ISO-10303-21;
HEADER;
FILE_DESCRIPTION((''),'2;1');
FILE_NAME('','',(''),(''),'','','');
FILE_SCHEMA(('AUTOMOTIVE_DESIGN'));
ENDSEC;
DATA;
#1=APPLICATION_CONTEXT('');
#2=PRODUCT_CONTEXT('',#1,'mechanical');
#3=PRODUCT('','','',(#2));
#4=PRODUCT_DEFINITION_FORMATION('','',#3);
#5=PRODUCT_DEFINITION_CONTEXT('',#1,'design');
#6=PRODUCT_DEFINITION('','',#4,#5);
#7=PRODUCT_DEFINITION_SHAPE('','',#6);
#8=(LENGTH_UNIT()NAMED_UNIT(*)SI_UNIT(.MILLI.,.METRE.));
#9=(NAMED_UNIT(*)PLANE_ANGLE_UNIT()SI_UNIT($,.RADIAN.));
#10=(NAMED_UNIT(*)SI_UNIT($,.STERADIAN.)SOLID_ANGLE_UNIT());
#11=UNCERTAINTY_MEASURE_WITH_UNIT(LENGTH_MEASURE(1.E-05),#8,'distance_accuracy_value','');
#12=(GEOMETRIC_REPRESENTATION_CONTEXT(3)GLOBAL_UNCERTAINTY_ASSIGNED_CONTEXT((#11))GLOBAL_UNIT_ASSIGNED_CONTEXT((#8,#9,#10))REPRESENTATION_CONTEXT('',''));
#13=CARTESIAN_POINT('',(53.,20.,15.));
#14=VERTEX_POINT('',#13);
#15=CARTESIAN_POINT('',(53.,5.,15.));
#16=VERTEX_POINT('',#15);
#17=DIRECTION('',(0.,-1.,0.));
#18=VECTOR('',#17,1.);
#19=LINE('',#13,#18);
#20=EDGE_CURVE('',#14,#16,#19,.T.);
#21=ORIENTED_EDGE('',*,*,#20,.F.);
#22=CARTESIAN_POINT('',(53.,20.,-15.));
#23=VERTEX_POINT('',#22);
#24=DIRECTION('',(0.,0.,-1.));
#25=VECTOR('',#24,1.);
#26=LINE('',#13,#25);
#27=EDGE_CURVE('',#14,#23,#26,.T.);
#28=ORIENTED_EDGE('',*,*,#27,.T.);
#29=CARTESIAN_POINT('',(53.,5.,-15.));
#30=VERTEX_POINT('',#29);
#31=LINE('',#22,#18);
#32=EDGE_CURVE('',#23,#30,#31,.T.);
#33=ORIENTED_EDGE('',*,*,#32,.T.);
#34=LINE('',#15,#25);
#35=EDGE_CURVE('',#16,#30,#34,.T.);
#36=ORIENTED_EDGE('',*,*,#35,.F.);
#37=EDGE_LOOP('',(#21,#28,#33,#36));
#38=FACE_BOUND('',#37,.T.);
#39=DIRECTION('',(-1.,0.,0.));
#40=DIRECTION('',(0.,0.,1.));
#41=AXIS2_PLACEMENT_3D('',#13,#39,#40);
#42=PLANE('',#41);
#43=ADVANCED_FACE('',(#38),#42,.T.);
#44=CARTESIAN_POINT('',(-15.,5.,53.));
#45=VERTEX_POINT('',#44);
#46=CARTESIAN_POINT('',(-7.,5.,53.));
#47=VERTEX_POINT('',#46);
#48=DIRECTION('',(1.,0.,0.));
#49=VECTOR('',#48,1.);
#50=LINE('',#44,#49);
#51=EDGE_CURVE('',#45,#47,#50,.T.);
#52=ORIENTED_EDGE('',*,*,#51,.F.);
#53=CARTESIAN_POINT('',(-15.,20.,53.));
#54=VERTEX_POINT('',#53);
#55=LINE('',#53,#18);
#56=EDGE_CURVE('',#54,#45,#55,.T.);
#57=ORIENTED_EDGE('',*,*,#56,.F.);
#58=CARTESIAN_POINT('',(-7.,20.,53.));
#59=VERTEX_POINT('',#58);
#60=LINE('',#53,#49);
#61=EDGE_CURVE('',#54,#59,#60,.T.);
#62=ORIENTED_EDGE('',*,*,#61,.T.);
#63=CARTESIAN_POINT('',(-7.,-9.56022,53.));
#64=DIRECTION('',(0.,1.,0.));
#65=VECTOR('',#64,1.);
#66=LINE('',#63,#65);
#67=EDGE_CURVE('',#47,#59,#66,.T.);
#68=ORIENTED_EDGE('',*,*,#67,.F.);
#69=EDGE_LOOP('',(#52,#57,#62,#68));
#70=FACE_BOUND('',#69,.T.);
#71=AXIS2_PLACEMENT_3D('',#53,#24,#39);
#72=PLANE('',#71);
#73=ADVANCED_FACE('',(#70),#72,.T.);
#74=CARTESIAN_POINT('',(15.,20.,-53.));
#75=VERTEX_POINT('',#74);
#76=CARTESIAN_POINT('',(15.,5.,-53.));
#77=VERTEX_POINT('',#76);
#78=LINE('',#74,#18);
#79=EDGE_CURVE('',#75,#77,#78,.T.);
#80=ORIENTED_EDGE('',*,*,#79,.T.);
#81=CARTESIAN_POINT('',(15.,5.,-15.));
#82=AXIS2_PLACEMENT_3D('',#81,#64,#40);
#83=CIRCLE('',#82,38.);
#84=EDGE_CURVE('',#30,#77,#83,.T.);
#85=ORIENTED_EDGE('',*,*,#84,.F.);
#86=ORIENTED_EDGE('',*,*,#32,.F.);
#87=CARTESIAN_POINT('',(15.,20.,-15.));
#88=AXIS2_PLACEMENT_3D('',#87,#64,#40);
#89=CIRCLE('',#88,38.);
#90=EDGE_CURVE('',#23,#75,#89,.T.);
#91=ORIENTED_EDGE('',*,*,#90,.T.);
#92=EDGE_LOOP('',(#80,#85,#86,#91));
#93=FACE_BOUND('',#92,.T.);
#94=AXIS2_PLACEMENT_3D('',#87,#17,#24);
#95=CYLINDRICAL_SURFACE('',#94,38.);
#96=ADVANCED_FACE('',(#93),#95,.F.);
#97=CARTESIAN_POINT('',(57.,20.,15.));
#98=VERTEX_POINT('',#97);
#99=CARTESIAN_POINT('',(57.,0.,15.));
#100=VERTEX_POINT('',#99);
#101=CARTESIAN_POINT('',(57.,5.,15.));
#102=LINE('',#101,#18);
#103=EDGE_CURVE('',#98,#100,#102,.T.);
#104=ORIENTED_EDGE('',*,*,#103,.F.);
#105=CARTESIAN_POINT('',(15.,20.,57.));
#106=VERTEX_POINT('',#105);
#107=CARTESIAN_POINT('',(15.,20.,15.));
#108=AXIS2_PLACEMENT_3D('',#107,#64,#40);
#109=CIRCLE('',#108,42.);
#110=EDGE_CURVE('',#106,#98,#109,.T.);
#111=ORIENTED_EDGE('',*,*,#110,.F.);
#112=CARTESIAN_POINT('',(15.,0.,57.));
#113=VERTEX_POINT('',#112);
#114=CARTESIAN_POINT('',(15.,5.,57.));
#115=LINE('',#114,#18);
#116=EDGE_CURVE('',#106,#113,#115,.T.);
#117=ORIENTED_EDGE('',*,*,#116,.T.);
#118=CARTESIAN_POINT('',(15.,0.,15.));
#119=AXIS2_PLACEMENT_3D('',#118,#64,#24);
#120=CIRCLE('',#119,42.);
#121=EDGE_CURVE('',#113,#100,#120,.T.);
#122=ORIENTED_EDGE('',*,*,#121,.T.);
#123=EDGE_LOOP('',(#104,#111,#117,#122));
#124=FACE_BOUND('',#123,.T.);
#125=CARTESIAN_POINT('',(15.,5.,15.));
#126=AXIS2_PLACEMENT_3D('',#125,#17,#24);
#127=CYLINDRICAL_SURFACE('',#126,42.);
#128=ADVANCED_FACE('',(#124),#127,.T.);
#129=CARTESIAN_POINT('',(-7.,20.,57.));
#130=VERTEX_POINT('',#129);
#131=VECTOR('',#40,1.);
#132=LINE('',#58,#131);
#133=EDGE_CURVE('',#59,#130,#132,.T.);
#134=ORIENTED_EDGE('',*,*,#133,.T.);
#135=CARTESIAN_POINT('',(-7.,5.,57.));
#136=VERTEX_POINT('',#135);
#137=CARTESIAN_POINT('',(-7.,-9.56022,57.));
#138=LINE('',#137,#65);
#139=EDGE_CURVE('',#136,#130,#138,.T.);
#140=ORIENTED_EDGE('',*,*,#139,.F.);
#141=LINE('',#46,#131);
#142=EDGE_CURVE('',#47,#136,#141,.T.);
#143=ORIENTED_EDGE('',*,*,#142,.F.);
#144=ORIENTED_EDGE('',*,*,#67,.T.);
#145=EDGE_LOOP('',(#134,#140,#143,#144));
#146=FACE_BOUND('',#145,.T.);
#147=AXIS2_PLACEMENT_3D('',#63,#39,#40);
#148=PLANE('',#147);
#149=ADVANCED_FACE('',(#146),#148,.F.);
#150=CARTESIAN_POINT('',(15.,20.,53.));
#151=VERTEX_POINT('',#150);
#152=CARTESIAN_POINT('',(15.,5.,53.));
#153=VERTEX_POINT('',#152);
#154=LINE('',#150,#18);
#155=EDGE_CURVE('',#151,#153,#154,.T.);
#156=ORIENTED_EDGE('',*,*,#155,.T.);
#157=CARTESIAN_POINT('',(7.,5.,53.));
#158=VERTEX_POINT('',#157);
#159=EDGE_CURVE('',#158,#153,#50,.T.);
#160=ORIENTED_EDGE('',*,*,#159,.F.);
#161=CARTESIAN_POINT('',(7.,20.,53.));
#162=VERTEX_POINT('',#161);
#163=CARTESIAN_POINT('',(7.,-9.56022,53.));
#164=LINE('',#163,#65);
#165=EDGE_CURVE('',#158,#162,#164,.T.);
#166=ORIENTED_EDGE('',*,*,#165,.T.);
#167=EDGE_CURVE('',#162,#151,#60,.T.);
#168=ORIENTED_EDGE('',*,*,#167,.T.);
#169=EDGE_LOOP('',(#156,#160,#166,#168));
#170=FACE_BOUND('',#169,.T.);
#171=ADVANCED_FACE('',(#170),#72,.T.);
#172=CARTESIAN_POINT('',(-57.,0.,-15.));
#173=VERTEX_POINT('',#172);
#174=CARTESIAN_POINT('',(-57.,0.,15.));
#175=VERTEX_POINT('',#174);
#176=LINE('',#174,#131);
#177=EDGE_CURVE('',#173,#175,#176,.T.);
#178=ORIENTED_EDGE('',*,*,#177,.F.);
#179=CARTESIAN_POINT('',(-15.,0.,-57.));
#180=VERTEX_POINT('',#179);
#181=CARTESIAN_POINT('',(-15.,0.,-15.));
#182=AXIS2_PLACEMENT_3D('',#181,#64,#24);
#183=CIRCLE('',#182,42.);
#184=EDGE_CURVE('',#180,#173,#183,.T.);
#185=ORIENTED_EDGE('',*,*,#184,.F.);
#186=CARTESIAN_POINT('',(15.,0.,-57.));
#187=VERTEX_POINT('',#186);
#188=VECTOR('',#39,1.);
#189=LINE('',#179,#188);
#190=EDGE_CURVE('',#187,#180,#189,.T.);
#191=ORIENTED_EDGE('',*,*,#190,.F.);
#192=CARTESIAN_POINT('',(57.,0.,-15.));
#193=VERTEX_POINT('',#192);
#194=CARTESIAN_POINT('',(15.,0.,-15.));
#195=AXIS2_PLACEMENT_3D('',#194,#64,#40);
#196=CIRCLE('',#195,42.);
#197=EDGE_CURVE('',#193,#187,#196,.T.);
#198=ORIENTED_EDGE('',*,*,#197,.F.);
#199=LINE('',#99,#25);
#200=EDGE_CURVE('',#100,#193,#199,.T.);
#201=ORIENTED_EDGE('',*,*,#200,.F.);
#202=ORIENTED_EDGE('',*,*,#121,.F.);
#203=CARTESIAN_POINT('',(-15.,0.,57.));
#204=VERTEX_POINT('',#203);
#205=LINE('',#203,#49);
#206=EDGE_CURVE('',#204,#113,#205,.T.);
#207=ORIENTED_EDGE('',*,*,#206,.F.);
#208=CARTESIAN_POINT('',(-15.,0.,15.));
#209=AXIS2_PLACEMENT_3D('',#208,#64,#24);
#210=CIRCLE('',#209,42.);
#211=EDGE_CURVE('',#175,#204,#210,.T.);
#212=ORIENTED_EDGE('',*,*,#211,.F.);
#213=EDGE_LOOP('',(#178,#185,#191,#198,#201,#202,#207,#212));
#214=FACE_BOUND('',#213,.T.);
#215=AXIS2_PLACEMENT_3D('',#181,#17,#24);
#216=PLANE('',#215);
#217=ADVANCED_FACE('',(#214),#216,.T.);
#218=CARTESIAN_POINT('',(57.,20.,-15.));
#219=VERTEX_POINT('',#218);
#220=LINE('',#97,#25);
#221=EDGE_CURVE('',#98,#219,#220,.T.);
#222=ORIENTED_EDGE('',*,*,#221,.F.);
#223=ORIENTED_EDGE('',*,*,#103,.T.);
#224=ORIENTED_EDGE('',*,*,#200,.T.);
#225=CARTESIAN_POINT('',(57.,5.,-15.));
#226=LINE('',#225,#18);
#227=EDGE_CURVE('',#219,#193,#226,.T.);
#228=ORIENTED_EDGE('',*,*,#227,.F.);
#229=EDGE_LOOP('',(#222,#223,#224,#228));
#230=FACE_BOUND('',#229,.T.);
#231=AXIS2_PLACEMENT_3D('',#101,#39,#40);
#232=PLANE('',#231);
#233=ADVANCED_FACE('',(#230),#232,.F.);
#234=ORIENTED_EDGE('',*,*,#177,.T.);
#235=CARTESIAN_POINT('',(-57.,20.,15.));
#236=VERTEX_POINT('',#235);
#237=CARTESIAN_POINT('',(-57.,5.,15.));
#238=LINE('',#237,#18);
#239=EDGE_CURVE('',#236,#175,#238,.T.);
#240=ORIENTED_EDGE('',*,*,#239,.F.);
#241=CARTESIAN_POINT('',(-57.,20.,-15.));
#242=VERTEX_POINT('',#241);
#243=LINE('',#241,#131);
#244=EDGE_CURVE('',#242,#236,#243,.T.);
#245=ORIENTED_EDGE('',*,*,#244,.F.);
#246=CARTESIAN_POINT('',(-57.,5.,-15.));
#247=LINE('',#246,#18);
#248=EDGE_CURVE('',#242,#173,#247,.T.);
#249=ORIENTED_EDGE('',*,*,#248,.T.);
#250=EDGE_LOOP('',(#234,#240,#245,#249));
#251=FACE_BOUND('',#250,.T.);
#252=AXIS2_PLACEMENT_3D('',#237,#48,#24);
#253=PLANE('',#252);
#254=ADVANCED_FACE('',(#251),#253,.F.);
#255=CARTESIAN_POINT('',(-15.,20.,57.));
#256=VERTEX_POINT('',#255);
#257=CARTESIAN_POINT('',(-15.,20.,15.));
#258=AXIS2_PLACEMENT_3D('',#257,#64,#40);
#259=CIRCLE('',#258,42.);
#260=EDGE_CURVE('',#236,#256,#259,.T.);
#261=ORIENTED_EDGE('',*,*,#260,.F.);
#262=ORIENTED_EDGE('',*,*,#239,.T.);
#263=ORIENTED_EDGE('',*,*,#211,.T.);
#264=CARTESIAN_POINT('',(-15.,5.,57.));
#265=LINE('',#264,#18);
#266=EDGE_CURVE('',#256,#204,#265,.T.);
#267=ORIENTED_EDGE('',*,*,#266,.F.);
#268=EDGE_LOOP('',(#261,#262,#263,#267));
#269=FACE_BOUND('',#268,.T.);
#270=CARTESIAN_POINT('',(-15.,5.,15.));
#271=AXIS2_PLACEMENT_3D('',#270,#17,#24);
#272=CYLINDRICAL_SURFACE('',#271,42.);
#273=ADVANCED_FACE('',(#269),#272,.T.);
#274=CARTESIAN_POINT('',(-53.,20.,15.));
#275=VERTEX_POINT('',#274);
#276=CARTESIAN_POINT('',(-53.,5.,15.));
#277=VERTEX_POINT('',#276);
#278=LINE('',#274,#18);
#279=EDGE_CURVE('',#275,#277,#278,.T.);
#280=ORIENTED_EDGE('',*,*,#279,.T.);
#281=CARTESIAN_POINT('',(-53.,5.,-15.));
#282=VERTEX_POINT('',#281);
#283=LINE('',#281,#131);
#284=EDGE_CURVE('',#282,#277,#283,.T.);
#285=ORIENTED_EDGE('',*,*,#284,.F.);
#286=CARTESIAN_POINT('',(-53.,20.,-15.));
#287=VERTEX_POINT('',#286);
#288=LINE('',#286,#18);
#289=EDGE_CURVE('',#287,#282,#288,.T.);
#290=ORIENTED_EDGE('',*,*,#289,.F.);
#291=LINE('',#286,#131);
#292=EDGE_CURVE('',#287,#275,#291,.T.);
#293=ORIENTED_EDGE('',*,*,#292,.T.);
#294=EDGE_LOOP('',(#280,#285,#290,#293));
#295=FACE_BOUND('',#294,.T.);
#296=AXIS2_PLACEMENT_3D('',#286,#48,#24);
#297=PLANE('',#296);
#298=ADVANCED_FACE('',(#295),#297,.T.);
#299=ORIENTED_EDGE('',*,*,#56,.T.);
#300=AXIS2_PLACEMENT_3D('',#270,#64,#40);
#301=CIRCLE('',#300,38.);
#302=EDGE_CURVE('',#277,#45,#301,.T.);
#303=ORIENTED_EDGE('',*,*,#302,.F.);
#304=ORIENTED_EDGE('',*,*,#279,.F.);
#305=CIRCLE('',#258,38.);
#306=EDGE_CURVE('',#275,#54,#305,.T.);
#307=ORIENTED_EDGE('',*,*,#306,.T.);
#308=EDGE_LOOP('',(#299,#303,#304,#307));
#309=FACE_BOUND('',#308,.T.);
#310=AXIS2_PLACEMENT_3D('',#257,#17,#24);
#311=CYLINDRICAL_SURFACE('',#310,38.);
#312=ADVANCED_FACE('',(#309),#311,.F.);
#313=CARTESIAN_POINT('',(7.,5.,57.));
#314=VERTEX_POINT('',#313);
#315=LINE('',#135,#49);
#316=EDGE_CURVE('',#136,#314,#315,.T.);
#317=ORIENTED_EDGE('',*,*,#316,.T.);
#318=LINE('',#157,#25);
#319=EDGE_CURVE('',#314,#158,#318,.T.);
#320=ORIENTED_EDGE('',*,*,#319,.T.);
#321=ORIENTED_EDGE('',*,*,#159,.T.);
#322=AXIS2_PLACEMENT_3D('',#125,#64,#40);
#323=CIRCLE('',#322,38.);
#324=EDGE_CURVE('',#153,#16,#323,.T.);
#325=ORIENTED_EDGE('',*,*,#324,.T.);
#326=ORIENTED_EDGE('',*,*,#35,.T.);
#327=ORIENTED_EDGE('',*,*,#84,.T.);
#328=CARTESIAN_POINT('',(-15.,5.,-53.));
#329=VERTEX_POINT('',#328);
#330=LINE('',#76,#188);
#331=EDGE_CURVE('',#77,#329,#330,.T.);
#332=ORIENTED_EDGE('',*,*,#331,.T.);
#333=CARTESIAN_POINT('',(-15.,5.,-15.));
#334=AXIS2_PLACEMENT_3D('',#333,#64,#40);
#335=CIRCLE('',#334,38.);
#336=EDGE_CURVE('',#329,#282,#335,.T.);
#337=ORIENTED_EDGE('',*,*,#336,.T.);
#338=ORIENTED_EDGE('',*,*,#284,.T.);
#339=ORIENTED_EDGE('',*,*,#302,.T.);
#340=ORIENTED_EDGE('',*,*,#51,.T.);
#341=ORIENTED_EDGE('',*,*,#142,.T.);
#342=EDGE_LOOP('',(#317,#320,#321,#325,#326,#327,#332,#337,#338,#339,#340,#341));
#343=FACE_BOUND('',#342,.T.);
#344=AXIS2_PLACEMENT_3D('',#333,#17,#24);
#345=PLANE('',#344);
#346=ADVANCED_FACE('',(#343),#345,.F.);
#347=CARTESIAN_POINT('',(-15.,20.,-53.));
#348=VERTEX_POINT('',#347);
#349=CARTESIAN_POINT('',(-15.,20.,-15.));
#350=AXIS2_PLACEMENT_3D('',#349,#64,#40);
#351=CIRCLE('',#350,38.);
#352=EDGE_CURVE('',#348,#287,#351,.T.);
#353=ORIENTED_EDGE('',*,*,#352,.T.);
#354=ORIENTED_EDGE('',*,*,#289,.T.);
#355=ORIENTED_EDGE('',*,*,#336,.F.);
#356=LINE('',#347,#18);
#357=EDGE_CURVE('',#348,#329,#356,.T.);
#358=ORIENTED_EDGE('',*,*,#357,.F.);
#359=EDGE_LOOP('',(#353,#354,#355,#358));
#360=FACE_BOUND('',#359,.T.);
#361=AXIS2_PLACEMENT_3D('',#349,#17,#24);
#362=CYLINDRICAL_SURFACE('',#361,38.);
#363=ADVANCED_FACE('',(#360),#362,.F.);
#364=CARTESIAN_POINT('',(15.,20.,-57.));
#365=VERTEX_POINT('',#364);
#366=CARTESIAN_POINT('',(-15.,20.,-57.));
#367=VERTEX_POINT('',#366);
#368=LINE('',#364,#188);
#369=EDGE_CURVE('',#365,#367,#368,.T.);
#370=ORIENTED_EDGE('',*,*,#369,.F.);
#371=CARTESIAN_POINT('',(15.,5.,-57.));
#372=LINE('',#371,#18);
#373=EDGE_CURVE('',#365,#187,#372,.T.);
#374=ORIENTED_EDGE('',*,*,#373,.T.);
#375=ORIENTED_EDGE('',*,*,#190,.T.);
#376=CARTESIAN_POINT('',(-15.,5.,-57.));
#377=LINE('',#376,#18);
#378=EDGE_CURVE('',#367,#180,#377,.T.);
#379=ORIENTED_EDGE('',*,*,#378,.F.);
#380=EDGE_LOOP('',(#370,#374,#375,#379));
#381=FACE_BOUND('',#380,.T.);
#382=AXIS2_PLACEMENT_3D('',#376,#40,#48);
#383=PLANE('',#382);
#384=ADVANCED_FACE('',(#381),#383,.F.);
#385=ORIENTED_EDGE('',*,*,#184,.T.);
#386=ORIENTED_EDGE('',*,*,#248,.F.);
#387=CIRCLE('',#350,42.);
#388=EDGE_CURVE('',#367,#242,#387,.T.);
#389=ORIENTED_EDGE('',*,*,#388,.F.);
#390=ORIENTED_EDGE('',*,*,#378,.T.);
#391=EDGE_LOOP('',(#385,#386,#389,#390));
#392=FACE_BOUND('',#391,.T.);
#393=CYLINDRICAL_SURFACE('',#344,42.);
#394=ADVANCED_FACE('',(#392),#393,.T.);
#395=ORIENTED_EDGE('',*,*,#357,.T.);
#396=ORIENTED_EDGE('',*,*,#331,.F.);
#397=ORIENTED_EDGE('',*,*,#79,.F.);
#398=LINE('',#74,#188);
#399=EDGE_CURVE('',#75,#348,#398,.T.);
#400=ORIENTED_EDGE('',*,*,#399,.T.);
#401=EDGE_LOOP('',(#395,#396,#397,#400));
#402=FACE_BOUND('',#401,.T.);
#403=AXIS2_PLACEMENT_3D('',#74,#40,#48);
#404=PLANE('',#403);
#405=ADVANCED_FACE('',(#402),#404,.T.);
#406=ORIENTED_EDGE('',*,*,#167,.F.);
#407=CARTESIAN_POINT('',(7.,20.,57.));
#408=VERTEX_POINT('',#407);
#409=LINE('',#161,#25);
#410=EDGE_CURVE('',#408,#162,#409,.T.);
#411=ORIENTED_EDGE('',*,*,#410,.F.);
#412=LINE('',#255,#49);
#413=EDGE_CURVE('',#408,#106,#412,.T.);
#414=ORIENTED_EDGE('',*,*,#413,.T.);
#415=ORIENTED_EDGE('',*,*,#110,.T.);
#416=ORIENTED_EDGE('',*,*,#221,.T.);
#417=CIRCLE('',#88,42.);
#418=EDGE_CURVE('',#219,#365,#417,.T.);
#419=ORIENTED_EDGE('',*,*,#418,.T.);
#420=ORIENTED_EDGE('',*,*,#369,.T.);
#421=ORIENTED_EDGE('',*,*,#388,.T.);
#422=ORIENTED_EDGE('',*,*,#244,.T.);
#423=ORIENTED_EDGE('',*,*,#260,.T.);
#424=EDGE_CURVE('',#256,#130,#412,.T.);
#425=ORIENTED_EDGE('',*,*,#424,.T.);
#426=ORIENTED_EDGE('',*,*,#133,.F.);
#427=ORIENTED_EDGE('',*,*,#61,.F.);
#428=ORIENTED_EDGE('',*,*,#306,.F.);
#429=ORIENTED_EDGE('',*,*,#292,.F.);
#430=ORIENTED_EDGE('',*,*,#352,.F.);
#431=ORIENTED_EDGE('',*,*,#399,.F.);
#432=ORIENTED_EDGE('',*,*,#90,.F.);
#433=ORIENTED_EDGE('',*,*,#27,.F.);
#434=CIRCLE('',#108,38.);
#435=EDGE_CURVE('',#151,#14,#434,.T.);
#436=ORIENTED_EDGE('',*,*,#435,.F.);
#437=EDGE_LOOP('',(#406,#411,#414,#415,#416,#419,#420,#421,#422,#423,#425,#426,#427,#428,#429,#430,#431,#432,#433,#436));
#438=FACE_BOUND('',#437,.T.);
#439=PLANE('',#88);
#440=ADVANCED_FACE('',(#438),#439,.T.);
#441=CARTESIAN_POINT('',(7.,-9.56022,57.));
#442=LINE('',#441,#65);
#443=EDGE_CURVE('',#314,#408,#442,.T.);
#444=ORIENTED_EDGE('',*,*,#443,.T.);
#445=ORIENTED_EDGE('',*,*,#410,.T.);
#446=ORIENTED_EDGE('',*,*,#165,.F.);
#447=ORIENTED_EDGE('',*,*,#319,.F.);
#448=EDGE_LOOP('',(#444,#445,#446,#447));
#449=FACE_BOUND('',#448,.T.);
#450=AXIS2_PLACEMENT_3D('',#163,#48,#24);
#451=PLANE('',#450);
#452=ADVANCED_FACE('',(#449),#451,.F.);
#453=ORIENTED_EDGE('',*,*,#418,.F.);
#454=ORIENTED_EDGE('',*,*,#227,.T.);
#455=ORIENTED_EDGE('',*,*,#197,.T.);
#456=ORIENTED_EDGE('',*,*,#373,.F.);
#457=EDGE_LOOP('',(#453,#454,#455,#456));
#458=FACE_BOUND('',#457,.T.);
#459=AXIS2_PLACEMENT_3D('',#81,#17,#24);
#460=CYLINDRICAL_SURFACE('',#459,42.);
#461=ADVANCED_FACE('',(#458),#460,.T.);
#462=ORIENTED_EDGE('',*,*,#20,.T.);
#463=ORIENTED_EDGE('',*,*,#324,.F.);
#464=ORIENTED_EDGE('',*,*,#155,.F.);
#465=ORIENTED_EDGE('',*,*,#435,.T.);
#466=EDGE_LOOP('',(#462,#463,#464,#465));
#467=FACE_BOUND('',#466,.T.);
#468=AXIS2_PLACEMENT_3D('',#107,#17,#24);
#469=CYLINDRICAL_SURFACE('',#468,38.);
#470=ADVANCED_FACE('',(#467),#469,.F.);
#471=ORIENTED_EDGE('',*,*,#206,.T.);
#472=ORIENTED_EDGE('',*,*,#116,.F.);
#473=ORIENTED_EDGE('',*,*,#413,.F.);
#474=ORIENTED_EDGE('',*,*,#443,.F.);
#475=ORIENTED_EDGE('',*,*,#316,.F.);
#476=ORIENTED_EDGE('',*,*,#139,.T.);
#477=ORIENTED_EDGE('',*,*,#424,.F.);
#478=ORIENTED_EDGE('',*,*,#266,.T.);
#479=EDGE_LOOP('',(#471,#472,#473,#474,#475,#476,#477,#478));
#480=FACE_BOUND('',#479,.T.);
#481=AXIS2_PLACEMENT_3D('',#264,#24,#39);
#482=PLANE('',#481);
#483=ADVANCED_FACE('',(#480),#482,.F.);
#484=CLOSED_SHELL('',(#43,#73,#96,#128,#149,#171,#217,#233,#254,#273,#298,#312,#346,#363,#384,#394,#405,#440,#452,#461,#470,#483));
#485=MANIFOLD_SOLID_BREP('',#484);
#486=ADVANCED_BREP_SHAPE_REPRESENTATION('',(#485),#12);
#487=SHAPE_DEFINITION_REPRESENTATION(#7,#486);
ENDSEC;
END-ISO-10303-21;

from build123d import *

# Parameters (mm, degrees)
BOSS_EXTRUDE1_DEPTH = 5
BOSS_EXTRUDE2_DEPTH = 15
SKETCH3_W           = 14
SKETCH3_H           = 4
CUT_EXTRUDE1_DEPTH  = 15


with BuildPart() as part:
    # Sketch1 → Boss-Extrude1 (new body)
    with BuildSketch(Plane(origin=(0, 0, 0), x_dir=(1, 0, 0), z_dir=(0, 1, 0))):
        with BuildLine():
            Line((-15, -57), (15, -57))
            ThreePointArc((15, -57), (44.69848481, -44.69848481), (57, -15))
            Line((57, -15), (57, 15))
            ThreePointArc((57, 15), (44.69848481, 44.69848481), (15, 57))
            Line((15, 57), (-15, 57))
            ThreePointArc((-15, 57), (-44.69848481, 44.69848481), (-57, 15))
            Line((-57, 15), (-57, -15))
            ThreePointArc((-57, -15), (-44.69848481, -44.69848481), (-15, -57))
        make_face()
    extrude(amount=BOSS_EXTRUDE1_DEPTH)

    # Sketch2 → Boss-Extrude2 (add)
    with BuildSketch(Plane(origin=(0, 5, 0), x_dir=(1, 0, 0), z_dir=(0, 1, 0))):
        with BuildLine():
            Line((57, -15), (57, 15))
            ThreePointArc((57, 15), (44.69848481, 44.69848481), (15, 57))
            Line((15, 57), (-15, 57))
            ThreePointArc((-15, 57), (-44.69848481, 44.69848481), (-57, 15))
            Line((-57, 15), (-57, -15))
            ThreePointArc((-57, -15), (-44.69848481, -44.69848481), (-15, -57))
            Line((-15, -57), (15, -57))
            ThreePointArc((15, -57), (44.69848481, -44.69848481), (57, -15))
        make_face()
        with BuildLine():
            Line((-53, 15), (-53, -15))
            ThreePointArc((-53, -15), (-41.870057685, -41.870057685), (-15, -53))
            Line((-15, -53), (15, -53))
            ThreePointArc((15, -53), (41.870057685, -41.870057685), (53, -15))
            Line((53, -15), (53, 15))
            ThreePointArc((53, 15), (41.870057685, 41.870057685), (15, 53))
            Line((15, 53), (-15, 53))
            ThreePointArc((-15, 53), (-41.870057685, 41.870057685), (-53, 15))
        make_face(mode=Mode.SUBTRACT)
    extrude(amount=BOSS_EXTRUDE2_DEPTH)

    # Sketch3 → Cut-Extrude1 (cut)
    with BuildSketch(Plane(origin=(0, 20, 0), x_dir=(1, 0, 0), z_dir=(0, 1, 0))):
        with Locations((0, -55)):
            Rectangle(SKETCH3_W, SKETCH3_H)
    extrude(amount=-CUT_EXTRUDE1_DEPTH, mode=Mode.SUBTRACT)


solid = part.part
